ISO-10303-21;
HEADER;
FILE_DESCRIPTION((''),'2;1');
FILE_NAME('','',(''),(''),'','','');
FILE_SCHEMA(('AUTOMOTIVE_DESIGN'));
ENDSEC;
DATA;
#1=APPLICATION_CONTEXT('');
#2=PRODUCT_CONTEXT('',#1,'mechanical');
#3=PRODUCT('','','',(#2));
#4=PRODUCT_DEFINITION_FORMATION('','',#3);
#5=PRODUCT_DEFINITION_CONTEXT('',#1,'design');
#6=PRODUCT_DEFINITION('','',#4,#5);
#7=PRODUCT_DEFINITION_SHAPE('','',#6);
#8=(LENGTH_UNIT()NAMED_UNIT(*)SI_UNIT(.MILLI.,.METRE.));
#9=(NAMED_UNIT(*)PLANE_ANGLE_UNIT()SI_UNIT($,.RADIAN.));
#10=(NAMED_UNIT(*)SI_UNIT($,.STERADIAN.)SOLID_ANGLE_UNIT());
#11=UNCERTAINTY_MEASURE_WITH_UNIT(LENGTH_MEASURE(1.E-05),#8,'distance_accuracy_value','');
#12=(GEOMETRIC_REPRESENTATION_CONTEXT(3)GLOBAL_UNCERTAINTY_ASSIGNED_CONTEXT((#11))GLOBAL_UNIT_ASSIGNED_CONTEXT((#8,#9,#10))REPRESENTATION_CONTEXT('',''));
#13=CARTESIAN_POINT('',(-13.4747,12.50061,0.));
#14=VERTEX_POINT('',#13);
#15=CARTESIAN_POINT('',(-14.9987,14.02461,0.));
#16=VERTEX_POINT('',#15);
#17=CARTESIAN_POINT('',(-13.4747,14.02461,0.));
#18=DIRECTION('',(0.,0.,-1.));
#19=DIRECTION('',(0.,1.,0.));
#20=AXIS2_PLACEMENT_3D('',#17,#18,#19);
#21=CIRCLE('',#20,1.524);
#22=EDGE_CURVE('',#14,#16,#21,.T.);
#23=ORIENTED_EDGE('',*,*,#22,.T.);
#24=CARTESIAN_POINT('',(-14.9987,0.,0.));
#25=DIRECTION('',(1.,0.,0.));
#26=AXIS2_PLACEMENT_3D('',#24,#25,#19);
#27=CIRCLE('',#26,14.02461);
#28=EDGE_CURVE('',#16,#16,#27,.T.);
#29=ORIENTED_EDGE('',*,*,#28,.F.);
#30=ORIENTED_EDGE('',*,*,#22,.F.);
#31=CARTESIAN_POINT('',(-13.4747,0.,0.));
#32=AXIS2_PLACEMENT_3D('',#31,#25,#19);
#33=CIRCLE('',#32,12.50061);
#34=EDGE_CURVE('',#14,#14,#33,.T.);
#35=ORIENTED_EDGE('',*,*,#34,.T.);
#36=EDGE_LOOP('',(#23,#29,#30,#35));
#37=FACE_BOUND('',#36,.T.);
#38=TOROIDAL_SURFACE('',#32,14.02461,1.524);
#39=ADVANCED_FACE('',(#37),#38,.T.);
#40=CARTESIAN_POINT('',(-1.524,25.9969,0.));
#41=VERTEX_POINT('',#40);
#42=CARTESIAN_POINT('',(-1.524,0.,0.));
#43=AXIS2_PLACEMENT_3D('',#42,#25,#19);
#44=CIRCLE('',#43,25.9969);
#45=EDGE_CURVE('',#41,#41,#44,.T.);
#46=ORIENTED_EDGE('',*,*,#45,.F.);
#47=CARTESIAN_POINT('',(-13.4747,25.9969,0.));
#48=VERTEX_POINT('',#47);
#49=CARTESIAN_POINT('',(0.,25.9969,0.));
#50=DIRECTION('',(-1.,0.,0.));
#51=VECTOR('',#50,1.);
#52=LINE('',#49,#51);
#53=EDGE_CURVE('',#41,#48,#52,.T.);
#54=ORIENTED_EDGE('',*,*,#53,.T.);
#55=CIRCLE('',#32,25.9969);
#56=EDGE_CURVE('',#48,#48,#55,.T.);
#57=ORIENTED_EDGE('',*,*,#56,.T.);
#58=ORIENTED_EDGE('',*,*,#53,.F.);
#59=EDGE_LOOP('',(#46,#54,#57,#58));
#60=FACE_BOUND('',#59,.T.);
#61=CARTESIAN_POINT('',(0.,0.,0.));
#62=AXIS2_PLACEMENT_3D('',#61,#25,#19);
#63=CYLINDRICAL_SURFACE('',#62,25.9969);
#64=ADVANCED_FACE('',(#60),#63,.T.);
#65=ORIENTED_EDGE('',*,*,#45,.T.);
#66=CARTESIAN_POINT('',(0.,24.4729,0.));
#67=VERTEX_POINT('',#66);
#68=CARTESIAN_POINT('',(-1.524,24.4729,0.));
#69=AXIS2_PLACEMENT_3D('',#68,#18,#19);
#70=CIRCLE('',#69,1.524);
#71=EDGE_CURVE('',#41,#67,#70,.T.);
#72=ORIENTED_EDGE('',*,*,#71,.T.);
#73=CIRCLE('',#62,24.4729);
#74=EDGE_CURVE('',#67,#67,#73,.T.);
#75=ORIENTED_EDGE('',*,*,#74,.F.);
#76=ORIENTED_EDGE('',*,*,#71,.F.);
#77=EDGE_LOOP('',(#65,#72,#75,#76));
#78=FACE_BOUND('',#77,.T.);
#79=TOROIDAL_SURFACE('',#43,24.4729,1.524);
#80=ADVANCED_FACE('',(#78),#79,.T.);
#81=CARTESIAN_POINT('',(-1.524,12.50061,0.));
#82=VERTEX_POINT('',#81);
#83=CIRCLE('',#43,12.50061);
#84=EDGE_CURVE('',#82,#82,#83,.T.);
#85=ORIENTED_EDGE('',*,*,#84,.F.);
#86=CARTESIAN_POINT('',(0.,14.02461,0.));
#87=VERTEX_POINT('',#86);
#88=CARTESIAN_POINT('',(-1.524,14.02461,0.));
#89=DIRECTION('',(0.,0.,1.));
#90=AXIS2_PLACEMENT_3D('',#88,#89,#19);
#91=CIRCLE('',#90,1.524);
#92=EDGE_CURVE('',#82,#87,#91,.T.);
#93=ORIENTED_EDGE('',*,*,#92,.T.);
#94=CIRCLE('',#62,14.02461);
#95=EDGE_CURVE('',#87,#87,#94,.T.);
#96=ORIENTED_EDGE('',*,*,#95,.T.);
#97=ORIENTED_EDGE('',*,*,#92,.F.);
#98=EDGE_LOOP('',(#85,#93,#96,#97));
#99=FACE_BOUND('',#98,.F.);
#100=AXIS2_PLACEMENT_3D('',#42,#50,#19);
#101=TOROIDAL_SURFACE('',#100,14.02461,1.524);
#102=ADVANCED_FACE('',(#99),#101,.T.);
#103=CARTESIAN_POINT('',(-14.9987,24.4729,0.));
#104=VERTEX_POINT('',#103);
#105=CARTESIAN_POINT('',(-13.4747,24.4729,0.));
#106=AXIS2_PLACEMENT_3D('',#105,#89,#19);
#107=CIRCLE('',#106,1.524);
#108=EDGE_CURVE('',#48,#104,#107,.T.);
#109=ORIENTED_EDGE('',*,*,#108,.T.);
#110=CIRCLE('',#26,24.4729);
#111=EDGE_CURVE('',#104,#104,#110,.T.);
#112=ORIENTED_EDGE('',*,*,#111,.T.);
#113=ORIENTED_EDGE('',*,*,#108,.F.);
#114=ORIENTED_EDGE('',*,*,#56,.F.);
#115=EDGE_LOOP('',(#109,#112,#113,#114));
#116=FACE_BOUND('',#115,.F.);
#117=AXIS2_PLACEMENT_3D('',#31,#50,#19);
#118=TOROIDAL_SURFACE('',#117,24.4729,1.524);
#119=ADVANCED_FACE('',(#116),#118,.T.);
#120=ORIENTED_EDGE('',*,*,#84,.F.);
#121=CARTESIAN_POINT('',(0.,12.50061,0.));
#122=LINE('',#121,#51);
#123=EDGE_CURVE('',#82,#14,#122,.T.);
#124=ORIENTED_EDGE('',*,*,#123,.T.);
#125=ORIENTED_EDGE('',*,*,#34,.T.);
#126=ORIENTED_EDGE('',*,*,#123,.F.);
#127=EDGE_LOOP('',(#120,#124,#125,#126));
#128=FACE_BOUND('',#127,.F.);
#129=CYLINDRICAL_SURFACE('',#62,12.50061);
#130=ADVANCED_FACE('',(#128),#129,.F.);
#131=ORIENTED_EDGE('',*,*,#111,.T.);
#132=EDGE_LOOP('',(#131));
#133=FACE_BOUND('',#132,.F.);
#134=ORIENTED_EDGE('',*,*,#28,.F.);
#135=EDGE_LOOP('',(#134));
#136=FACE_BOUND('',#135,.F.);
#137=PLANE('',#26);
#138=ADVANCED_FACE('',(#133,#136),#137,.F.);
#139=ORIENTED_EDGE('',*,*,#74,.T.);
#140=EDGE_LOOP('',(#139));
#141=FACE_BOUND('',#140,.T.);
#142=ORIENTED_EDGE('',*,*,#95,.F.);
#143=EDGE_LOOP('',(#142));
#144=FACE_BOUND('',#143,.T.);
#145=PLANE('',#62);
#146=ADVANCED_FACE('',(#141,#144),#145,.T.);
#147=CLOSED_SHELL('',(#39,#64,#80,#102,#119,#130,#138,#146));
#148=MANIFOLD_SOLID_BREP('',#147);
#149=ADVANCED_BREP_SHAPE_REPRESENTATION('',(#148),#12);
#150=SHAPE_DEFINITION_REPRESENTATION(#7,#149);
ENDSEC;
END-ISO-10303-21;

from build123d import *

# Parameters (mm, degrees)
F0_R     = 25.9969
F0_R_2   = 12.50061
F1_DEPTH = 14.9987
F2_R     = 1.524


with BuildPart() as f1:
    # F0 (on Right) → F1 (new body)
    with BuildSketch(Plane.YZ):
        Circle(F0_R)
        Circle(F0_R_2, mode=Mode.SUBTRACT)
    extrude(amount=-F1_DEPTH)

    # F2
    f2_edges = [f1.edges().sort_by_distance(p)[0] for p in [
        (0, -25.9969, 0),
        (0, -12.50061, 0),
        (-14.9987, -25.9969, 0),
        (-14.9987, -12.50061, 0),
    ]]
    fillet(f2_edges, radius=F2_R)


solid = f1.part
